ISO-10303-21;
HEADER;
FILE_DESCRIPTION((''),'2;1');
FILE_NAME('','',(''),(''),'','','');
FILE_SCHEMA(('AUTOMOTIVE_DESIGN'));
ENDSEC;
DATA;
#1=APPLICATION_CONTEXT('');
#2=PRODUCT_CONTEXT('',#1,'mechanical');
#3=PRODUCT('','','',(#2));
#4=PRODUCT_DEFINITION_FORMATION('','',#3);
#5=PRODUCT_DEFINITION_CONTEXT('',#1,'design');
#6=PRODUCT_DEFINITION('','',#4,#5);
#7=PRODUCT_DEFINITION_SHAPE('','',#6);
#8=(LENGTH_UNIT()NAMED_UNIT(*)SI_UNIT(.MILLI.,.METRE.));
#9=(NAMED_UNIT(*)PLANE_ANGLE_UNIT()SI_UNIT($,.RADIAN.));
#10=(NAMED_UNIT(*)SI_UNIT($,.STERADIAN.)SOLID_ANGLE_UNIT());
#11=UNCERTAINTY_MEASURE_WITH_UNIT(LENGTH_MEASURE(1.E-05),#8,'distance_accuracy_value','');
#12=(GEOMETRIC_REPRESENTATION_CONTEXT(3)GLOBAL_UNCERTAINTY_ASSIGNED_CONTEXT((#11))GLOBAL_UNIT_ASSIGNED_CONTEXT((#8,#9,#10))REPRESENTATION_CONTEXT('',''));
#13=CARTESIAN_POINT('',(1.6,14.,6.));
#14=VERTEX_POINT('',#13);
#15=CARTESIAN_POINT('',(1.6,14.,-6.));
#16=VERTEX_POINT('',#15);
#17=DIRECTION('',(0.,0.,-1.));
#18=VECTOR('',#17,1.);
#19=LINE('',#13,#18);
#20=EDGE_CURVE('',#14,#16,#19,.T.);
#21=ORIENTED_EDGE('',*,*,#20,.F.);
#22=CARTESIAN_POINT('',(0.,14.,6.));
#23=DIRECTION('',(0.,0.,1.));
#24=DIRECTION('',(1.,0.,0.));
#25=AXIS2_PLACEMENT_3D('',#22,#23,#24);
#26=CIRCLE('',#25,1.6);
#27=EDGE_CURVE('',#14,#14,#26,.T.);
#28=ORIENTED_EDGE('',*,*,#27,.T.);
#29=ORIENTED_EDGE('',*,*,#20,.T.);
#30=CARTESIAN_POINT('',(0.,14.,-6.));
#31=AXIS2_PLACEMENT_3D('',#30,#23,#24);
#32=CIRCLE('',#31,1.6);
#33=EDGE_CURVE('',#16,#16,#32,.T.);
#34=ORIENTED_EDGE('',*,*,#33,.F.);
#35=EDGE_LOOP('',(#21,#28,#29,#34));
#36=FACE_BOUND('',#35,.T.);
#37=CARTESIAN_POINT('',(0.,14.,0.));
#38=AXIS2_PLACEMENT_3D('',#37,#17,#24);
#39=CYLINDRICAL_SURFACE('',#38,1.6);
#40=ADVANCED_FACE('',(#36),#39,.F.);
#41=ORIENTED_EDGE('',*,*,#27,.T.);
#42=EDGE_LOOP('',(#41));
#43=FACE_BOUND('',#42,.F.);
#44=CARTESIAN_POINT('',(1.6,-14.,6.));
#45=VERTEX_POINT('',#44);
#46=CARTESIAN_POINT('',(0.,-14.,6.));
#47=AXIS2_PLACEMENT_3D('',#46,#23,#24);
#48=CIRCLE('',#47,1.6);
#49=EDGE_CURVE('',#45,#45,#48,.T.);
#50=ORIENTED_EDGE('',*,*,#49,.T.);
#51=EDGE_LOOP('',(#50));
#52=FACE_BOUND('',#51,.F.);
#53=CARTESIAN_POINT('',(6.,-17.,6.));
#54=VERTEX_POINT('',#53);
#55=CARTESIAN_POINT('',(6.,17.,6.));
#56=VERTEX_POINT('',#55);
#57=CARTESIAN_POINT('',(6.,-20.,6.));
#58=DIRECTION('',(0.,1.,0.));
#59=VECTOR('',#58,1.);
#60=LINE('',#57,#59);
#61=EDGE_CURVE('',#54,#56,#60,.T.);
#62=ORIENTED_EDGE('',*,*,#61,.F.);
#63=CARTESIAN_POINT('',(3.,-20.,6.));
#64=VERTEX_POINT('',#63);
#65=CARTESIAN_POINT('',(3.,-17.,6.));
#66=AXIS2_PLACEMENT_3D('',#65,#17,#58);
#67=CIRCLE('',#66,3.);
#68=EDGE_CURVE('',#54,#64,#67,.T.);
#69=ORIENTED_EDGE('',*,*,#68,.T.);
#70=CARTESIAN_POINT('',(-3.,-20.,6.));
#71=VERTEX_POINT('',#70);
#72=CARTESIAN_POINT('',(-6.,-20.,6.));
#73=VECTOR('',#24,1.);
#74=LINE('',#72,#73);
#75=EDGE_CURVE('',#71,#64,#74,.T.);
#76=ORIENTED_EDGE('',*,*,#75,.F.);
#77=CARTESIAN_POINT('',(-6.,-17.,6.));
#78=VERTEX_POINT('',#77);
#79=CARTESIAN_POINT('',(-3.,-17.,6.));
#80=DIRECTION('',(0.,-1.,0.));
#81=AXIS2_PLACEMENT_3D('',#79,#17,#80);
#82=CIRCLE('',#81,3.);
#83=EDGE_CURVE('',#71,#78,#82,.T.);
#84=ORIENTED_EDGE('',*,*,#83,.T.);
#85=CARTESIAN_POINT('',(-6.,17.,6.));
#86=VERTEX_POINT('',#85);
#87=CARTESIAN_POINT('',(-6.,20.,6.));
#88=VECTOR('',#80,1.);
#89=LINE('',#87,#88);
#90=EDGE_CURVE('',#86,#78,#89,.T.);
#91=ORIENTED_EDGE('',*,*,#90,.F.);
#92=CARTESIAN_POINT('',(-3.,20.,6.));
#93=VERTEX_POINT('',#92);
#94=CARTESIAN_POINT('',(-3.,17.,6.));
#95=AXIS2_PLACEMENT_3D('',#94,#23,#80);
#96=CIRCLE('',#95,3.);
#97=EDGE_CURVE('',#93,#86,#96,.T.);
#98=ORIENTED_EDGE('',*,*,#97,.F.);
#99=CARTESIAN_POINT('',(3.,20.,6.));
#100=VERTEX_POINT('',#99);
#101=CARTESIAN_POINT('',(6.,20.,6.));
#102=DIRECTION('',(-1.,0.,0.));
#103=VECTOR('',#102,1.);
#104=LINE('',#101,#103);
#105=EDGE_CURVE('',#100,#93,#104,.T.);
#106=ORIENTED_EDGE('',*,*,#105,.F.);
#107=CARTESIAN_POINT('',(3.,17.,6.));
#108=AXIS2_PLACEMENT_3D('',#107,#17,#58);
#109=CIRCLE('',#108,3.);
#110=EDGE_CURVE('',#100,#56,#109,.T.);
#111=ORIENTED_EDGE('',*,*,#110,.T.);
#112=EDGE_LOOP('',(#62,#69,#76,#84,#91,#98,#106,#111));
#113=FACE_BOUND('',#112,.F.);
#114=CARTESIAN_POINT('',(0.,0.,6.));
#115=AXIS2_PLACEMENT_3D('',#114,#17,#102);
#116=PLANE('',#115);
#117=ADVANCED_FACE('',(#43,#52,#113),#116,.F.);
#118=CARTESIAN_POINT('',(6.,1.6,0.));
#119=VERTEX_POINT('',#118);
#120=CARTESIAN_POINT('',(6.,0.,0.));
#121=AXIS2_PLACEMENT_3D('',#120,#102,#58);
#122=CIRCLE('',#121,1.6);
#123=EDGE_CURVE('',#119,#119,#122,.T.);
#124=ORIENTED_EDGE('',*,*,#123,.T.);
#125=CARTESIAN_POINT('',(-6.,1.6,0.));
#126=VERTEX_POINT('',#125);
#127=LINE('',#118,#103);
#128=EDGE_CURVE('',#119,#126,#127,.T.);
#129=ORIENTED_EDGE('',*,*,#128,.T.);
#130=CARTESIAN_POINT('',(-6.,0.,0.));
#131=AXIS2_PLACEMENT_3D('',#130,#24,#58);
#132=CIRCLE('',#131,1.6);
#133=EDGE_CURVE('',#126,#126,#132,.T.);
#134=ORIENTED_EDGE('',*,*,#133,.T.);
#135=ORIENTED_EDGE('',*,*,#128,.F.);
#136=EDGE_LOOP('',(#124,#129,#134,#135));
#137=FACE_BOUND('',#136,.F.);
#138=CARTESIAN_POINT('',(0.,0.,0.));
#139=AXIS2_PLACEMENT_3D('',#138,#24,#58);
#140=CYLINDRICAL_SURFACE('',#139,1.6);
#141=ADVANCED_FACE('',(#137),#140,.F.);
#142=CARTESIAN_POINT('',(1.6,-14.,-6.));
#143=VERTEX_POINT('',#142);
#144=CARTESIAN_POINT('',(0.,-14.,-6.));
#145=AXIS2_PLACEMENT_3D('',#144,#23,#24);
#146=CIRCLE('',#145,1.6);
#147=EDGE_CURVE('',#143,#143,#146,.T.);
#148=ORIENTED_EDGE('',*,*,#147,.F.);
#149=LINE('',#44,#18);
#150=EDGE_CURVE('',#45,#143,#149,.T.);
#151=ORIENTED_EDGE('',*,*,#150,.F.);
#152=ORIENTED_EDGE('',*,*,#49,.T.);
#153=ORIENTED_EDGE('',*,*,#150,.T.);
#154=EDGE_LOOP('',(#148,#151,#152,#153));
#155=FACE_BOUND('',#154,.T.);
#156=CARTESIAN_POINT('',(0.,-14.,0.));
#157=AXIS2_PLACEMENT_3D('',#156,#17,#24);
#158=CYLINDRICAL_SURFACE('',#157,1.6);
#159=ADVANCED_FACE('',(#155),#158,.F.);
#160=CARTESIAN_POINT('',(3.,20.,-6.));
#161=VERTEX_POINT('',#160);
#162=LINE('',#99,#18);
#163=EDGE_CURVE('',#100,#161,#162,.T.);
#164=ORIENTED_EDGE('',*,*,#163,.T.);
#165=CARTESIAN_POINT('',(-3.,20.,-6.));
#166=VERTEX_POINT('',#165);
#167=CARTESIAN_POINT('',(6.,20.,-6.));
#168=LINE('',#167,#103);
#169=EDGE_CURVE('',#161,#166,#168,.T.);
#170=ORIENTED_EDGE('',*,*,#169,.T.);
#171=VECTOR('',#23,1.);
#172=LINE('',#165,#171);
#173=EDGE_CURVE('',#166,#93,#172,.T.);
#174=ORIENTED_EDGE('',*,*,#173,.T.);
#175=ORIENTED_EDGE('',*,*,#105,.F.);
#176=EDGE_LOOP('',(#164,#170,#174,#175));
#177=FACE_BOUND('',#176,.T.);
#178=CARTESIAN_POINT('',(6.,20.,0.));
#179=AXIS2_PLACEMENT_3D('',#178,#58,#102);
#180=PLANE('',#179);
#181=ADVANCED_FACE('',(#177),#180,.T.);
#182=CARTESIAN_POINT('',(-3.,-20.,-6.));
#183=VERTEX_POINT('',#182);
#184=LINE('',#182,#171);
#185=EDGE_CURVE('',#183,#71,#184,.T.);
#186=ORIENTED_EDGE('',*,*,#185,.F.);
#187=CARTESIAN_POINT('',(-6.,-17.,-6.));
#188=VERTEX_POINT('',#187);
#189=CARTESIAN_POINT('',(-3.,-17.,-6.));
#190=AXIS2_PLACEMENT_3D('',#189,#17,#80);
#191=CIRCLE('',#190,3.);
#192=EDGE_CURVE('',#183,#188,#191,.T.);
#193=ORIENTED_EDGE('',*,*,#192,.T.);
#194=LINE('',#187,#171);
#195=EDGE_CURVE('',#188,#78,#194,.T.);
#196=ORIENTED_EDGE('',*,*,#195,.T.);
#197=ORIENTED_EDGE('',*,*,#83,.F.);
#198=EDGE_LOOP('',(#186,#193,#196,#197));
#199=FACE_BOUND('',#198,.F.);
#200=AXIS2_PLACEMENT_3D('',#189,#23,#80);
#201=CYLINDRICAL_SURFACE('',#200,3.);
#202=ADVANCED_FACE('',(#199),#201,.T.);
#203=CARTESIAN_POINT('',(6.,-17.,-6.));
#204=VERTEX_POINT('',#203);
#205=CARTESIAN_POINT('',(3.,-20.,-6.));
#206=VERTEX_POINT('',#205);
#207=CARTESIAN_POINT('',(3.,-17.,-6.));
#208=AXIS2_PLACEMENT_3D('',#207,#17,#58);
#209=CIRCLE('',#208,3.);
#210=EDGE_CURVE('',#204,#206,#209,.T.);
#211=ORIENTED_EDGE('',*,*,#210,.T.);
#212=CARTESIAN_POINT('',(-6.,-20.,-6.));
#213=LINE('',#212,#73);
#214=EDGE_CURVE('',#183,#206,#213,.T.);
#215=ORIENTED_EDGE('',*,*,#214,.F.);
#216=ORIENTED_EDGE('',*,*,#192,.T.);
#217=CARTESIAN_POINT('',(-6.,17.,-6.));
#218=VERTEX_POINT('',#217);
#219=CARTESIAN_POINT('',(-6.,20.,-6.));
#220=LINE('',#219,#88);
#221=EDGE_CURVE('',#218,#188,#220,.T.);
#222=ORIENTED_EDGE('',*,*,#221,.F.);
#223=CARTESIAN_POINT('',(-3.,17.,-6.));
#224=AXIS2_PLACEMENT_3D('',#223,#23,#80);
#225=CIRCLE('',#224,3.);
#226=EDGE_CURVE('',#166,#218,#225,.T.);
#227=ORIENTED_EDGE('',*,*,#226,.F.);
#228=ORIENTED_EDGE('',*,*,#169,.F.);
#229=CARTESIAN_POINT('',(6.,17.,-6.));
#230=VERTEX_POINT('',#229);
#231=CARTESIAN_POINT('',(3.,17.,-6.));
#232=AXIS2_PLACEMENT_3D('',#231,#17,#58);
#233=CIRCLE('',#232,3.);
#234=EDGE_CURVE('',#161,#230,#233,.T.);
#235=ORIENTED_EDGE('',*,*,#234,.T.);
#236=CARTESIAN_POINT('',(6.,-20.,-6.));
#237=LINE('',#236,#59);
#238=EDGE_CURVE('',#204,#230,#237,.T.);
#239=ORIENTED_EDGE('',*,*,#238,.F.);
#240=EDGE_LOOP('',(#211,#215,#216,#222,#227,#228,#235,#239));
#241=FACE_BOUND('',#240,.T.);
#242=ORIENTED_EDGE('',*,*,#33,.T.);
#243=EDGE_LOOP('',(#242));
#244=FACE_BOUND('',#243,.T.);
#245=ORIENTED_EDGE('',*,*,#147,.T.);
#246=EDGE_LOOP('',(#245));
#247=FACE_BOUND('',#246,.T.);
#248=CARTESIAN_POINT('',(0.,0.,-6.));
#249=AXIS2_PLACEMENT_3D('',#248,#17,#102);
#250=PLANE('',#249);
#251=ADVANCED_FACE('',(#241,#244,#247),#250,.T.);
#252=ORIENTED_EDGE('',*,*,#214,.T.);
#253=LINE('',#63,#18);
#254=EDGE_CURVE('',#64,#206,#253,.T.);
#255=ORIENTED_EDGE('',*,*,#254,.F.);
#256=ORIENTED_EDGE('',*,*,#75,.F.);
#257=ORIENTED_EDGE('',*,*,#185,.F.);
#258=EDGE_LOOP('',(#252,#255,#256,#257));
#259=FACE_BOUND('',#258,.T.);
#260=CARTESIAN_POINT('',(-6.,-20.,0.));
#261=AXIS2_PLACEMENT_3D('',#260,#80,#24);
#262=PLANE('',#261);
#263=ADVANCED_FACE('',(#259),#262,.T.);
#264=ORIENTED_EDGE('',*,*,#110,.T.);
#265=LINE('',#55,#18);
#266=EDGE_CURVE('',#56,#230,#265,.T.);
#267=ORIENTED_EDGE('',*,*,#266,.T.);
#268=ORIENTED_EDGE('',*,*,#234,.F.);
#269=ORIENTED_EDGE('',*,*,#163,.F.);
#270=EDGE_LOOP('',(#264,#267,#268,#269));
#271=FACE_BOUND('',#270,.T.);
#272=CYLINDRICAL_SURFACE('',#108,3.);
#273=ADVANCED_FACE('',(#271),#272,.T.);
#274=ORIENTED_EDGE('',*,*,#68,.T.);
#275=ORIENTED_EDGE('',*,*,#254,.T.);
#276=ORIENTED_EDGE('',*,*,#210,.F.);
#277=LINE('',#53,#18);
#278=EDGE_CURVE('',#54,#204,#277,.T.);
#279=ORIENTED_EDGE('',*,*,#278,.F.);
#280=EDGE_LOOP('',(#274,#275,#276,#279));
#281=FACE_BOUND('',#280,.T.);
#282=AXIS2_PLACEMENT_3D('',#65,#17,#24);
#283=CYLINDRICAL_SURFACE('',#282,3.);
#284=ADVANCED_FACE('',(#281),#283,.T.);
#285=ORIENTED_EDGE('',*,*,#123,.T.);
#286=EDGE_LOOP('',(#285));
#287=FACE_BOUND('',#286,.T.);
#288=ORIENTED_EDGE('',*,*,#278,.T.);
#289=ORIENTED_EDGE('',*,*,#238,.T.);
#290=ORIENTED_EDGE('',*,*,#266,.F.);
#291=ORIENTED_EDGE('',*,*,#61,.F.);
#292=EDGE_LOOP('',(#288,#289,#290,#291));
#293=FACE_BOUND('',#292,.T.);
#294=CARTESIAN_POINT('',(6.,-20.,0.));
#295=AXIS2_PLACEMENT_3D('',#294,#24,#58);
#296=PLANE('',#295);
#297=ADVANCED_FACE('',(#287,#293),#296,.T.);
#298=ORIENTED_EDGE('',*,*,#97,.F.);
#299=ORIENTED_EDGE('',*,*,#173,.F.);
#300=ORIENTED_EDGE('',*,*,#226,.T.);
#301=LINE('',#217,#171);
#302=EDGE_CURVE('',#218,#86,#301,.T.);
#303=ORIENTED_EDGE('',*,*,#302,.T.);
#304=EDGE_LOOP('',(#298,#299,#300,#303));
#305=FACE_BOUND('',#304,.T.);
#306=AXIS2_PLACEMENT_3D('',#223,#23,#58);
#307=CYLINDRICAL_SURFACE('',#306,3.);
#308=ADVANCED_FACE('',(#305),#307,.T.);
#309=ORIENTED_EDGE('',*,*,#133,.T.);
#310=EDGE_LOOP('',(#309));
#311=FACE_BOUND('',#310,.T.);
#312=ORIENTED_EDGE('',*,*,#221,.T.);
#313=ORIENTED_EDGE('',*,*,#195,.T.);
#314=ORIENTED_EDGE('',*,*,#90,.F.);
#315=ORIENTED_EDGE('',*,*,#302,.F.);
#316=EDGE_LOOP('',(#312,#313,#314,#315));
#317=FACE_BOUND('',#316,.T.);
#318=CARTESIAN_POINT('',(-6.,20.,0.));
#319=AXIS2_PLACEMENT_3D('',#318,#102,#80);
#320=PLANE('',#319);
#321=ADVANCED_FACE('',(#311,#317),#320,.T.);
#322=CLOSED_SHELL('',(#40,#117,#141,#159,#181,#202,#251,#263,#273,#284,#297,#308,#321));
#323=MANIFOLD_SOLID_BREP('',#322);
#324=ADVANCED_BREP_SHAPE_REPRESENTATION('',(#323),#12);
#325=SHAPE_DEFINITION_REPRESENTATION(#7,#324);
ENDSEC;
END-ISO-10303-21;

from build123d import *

# Parameters (mm, degrees)
SKETCH_R          = 1.6
PAD_DEPTH         = 6
SKETCH001_R       = 1.6
POCKET_DEPTH      = 6.001
POCKET_DEPTH_BACK = -6.001
FILLET_R          = 3


with BuildPart() as part:
    # Sketch → Pad (new body, symmetric)
    with BuildSketch(Plane.XY):
        Polygon((-6, 20), (0, 20), (6, 20), (6, 0), (6, -20), (0, -20), (-6, -20), (-6, 0), align=None)
        with Locations((0, 14)):
            Circle(SKETCH_R, mode=Mode.SUBTRACT)
        with Locations((0, -14)):
            Circle(SKETCH_R, mode=Mode.SUBTRACT)
    extrude(amount=PAD_DEPTH, both=True)

    # Sketch001 → Pocket (cut, two sides)
    with BuildSketch(Plane.YZ) as pocket_sk:
        Circle(SKETCH001_R)
    extrude(amount=-POCKET_DEPTH, mode=Mode.SUBTRACT)
    extrude(pocket_sk.sketch, amount=-POCKET_DEPTH_BACK, mode=Mode.SUBTRACT)

    # Fillet
    fillet_edges = [part.edges().sort_by_distance(p)[0] for p in [
        (6, -20, 0),
        (-6, -20, 0),
        (-6, 20, 0),
        (6, 20, 0),
    ]]
    fillet(fillet_edges, radius=FILLET_R)


solid = part.part
